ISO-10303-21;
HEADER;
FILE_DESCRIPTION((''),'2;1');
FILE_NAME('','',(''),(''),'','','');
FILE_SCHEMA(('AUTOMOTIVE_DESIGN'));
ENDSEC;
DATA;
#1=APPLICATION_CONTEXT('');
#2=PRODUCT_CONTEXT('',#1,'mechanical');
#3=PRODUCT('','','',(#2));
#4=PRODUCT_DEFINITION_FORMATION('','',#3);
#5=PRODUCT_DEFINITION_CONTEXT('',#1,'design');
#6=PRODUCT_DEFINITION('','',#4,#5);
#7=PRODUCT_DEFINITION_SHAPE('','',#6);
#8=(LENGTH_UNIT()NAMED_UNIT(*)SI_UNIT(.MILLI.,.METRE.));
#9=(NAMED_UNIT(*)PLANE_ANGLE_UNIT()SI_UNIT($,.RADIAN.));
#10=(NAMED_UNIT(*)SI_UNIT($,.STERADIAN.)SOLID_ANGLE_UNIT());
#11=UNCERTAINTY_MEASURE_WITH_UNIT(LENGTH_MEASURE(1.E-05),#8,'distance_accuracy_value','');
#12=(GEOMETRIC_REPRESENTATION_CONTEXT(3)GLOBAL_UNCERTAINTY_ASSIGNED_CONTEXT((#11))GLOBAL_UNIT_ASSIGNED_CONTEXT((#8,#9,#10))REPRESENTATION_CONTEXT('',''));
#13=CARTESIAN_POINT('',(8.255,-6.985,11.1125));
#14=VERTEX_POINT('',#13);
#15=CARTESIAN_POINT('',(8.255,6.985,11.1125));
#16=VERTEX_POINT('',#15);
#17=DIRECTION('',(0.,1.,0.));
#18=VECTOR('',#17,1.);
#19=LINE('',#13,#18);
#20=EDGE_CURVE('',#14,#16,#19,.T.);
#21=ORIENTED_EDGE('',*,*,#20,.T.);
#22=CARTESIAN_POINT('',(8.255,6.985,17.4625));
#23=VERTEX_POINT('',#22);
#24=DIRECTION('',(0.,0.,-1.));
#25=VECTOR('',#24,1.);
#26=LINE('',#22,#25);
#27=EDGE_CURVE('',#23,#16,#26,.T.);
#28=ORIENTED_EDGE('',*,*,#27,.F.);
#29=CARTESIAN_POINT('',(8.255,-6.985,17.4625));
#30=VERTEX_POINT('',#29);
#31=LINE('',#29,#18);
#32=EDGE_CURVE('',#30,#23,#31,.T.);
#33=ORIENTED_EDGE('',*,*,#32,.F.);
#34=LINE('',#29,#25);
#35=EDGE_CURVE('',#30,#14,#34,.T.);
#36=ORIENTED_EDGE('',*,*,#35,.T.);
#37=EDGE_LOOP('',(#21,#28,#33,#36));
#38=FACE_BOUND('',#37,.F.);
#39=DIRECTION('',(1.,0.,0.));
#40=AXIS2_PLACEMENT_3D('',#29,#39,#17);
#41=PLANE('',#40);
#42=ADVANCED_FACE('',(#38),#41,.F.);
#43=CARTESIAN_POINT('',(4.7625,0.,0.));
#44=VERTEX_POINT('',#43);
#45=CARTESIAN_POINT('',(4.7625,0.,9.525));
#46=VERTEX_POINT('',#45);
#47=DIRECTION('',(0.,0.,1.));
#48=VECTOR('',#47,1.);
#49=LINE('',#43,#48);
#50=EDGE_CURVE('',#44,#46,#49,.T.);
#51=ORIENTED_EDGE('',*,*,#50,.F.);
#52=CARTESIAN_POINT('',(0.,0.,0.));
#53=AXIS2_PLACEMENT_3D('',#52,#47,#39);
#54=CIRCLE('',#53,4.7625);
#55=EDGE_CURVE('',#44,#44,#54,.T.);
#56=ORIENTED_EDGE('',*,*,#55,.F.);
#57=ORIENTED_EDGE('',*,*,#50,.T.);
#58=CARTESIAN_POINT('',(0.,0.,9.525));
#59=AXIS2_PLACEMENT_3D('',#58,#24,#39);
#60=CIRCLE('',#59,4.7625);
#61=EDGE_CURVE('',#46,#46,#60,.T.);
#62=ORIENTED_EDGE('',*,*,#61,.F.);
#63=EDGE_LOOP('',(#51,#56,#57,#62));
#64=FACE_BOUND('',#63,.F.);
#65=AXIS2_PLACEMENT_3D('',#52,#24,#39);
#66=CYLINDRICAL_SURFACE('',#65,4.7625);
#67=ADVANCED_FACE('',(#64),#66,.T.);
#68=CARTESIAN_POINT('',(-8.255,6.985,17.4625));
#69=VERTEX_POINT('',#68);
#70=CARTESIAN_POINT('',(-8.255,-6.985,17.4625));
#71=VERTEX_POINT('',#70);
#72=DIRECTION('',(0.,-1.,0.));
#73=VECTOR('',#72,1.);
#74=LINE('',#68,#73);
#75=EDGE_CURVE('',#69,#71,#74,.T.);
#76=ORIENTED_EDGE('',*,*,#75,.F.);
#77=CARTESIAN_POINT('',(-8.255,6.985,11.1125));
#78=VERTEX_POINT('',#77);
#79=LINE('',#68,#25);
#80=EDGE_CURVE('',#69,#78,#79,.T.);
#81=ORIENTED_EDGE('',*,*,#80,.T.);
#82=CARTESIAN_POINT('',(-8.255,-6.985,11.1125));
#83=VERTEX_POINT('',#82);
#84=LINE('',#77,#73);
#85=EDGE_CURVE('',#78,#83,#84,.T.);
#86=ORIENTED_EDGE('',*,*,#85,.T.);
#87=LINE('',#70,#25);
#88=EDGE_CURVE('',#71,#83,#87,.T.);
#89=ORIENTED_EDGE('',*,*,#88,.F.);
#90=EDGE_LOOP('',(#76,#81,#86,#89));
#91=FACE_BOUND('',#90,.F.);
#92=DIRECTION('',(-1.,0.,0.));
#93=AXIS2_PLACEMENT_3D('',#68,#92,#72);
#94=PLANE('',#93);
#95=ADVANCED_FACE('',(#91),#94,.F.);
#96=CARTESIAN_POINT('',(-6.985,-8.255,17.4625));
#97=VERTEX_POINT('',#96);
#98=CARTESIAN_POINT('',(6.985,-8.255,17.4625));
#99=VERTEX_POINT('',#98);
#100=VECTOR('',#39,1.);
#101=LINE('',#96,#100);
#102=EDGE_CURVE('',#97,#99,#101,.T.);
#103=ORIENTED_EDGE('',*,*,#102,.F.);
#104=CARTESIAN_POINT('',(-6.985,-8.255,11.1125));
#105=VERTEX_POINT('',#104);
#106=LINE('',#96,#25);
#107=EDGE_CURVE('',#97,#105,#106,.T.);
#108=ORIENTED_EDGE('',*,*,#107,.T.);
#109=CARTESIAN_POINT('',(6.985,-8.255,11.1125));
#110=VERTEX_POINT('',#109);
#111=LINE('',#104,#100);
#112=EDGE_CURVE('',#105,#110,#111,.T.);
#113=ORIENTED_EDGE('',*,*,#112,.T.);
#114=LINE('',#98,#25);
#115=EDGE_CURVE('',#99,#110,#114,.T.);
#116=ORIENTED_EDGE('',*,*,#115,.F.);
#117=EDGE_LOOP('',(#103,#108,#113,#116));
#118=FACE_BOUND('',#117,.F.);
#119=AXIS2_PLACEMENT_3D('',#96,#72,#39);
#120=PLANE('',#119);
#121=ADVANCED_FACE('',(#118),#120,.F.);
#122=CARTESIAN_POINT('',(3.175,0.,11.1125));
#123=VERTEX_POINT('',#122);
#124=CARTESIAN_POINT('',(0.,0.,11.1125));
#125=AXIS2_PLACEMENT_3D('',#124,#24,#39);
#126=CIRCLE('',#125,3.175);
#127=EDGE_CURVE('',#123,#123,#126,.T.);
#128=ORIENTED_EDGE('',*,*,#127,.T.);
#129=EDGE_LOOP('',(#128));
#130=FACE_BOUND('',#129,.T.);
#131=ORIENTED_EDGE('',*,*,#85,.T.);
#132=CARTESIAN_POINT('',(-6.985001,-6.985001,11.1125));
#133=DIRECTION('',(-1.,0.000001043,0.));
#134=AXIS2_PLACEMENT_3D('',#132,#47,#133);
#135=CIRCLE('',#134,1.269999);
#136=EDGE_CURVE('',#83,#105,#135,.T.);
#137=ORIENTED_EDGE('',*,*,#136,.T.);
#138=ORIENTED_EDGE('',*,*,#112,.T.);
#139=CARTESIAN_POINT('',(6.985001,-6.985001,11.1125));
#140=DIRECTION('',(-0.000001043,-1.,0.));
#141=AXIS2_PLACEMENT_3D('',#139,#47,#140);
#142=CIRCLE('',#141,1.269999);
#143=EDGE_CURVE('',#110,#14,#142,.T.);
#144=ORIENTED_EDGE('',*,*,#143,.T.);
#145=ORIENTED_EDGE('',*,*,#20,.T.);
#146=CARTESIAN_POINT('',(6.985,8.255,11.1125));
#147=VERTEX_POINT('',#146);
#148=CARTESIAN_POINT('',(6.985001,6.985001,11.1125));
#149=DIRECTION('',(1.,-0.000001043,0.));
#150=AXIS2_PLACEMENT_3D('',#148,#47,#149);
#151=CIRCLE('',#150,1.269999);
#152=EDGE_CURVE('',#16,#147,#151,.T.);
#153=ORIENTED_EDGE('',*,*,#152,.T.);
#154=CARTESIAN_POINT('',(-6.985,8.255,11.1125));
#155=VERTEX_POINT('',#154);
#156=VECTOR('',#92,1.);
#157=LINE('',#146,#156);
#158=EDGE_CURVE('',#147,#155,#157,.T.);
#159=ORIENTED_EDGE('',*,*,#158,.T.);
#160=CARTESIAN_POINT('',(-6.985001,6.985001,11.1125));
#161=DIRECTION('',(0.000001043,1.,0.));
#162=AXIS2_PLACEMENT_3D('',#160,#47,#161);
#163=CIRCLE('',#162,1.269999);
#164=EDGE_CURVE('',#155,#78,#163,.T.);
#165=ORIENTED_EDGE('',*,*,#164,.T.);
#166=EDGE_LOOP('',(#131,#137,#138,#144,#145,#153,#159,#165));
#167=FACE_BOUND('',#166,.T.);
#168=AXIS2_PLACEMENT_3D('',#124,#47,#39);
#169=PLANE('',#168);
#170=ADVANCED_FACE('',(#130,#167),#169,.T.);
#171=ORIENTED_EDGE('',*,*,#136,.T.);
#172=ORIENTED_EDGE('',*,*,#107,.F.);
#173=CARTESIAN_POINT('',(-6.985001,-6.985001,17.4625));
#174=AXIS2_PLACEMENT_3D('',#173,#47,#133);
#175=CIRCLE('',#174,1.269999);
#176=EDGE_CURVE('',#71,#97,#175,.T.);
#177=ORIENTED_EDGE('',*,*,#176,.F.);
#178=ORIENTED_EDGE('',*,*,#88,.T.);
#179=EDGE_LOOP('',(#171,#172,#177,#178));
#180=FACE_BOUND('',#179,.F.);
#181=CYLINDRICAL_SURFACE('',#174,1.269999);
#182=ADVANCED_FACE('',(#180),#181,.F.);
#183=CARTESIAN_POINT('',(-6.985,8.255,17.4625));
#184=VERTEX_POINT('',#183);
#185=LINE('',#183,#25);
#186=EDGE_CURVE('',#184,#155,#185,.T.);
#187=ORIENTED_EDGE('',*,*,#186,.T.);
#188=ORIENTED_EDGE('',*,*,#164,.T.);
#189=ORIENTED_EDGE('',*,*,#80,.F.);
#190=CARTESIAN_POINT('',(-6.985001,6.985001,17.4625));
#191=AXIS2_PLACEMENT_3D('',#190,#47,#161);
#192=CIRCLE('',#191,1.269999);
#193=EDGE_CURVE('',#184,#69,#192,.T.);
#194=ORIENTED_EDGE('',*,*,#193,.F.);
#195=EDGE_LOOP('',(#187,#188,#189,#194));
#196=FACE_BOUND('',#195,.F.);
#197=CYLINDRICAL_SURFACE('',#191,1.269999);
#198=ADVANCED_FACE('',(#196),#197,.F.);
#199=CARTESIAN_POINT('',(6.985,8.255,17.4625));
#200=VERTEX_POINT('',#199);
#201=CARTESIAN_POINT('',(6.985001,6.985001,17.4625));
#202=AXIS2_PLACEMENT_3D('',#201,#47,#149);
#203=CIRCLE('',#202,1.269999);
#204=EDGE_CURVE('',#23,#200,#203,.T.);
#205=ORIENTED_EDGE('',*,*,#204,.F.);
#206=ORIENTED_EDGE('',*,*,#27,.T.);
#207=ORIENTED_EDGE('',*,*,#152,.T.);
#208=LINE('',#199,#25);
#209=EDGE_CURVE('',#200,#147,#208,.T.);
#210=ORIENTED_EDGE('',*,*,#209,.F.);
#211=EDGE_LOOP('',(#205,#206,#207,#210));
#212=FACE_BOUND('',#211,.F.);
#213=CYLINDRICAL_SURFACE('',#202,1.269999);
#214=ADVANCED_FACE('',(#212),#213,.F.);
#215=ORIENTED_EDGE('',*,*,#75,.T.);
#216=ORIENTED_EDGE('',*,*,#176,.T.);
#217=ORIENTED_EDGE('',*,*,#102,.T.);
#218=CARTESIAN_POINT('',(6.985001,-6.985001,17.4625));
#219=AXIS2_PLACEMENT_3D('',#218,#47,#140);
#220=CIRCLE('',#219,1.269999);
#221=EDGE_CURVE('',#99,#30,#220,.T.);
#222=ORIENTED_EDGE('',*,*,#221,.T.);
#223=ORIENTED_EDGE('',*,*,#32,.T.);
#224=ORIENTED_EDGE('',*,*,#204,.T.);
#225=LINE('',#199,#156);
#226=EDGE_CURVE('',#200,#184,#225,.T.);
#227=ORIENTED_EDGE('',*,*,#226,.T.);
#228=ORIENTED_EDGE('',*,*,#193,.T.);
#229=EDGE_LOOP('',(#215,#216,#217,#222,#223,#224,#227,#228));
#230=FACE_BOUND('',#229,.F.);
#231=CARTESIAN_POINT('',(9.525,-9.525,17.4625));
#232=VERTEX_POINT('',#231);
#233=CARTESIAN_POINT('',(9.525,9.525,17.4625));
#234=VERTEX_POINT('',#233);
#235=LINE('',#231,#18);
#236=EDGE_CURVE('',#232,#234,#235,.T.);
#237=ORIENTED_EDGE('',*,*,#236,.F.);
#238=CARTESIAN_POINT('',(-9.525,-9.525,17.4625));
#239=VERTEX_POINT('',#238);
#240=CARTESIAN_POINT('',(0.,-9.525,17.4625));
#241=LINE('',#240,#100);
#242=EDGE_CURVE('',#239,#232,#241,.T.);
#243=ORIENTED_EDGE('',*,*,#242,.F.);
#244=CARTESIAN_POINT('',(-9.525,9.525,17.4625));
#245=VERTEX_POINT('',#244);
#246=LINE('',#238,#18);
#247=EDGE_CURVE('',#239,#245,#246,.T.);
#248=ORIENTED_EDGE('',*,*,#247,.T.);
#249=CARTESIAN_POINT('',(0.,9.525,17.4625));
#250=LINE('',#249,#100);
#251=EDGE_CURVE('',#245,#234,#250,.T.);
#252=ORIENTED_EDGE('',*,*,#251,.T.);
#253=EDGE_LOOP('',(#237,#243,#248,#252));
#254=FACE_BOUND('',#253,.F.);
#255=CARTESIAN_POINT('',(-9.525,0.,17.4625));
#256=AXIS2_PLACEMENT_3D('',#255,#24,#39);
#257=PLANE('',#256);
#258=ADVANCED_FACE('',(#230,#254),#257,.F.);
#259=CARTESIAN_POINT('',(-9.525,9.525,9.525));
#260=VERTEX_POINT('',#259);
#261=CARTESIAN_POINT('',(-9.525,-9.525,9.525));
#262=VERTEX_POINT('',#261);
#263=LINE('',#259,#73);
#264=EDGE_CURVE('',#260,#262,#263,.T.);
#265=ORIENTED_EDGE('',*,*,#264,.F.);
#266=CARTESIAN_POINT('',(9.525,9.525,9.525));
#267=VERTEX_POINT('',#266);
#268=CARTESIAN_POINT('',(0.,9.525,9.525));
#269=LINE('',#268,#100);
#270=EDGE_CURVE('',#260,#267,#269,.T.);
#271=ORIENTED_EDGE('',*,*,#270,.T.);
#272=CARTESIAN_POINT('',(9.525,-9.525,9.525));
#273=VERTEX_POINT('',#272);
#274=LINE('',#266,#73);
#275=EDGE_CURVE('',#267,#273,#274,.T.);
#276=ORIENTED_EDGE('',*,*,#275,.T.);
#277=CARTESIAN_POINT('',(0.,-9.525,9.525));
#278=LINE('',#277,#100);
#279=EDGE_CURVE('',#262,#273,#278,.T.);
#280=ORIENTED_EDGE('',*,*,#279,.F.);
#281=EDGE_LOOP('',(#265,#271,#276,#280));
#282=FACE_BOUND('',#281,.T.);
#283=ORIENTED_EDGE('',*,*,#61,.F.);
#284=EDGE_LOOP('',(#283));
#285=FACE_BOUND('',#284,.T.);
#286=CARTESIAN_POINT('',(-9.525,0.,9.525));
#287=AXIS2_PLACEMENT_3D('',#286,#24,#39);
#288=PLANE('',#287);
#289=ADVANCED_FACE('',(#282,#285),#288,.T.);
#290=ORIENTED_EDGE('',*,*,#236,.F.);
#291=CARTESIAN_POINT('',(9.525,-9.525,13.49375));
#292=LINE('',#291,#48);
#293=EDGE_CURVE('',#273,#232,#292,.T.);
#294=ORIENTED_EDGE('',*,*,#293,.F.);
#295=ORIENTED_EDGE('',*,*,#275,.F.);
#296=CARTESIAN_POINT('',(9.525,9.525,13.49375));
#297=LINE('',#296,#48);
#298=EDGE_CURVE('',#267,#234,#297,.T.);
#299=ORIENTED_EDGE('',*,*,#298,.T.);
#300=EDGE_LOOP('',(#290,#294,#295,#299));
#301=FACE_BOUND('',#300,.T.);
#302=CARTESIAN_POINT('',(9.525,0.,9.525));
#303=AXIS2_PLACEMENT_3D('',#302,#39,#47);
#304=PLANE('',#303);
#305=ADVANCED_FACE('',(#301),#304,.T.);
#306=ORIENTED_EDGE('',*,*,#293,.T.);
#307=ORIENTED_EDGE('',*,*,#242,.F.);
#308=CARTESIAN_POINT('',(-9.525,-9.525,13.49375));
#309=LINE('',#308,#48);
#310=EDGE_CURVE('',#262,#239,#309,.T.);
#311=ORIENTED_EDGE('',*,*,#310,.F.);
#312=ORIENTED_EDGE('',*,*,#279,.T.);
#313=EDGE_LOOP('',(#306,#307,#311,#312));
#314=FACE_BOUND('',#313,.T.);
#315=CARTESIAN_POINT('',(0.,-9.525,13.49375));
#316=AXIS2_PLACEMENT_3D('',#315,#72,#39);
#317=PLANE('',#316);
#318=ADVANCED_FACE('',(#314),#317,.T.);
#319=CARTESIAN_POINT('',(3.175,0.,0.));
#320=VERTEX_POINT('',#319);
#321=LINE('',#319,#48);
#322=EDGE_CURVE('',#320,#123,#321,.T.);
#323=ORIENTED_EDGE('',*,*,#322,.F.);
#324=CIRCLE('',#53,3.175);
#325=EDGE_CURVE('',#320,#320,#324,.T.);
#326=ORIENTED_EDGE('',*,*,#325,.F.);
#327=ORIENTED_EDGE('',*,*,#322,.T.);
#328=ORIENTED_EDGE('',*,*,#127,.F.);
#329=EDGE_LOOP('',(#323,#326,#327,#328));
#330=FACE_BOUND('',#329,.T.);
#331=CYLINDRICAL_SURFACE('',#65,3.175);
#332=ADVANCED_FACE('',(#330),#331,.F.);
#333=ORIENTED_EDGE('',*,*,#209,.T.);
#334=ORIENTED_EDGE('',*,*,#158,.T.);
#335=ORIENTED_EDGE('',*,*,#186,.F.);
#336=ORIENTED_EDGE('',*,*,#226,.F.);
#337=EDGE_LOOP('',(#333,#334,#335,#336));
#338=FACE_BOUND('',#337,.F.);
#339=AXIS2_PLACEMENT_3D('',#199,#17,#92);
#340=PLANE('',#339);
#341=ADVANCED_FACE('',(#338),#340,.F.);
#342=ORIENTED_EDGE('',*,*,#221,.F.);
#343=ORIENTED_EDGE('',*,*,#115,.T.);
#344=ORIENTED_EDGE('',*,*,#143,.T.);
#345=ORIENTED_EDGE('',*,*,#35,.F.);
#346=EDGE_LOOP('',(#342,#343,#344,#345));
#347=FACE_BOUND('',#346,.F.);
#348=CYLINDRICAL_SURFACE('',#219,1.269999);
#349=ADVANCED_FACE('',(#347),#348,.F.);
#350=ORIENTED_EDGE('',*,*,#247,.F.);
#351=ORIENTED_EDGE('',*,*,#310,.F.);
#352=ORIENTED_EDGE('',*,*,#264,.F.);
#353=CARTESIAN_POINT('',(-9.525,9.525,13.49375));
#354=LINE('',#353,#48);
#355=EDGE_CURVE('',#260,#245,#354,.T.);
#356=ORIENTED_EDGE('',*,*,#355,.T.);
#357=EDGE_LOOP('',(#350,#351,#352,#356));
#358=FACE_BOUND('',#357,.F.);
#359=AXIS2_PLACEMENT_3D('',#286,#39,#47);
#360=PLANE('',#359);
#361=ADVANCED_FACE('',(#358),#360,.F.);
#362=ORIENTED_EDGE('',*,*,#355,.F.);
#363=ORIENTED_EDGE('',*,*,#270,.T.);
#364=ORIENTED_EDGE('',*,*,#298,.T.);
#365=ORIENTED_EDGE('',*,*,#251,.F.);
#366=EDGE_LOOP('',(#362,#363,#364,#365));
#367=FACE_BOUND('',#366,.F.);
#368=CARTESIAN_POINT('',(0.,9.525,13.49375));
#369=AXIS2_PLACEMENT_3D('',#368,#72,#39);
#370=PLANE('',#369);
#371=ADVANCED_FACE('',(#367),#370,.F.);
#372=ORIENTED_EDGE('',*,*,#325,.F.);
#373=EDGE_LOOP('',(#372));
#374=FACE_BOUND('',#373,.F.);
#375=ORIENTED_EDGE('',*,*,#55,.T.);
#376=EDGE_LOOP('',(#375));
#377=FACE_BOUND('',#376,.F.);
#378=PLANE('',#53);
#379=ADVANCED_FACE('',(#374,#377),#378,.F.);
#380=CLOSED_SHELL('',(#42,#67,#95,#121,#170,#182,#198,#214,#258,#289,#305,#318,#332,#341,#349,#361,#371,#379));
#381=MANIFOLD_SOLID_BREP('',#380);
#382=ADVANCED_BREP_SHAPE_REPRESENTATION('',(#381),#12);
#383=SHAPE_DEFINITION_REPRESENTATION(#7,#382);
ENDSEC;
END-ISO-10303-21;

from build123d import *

# Parameters (mm, degrees)
F0_R     = 4.7625
F1_DEPTH = 17.4625
F3_W     = 19.05
F3_H     = 7.9375
F4_DEPTH = 9.525
F6_DEPTH = 6.35
F2_R     = 3.175
F7_DEPTH = 17.4625


with BuildPart() as f1:
    # F0 (on Top) → F1 (new body)
    with BuildSketch(Plane.XY):
        Circle(F0_R)
    extrude(amount=F1_DEPTH)

    # F3 (on Front) → F4 (join, symmetric)
    with BuildSketch(Plane.XZ):
        with Locations((0, 13.49375)):
            Rectangle(F3_W, F3_H)
    extrude(amount=F4_DEPTH, both=True)

    # F5 (on face) → F6 (cut)
    with BuildSketch(Plane.XY.offset(17.4625)):
        with BuildLine():
            Line((6.985, 8.255), (-6.985, 8.255))
            ThreePointArc((-6.985, 8.255), (-7.883026, 7.883026), (-8.255, 6.985))
            Line((-8.255, 6.985), (-8.255, -6.985))
            ThreePointArc((-8.255, -6.985), (-7.883026, -7.883026), (-6.985, -8.255))
            Line((-6.985, -8.255), (6.985, -8.255))
            ThreePointArc((6.985, -8.255), (7.883026, -7.883026), (8.255, -6.985))
            Line((8.255, -6.985), (8.255, 6.985))
            ThreePointArc((8.255, 6.985), (7.883026, 7.883026), (6.985, 8.255))
        make_face()
    extrude(amount=-F6_DEPTH, mode=Mode.SUBTRACT)

    # F2 (on face) → F7 (cut)
    with BuildSketch(Plane.XY):
        Circle(F2_R)
    extrude(amount=F7_DEPTH, mode=Mode.SUBTRACT)


solid = f1.part
